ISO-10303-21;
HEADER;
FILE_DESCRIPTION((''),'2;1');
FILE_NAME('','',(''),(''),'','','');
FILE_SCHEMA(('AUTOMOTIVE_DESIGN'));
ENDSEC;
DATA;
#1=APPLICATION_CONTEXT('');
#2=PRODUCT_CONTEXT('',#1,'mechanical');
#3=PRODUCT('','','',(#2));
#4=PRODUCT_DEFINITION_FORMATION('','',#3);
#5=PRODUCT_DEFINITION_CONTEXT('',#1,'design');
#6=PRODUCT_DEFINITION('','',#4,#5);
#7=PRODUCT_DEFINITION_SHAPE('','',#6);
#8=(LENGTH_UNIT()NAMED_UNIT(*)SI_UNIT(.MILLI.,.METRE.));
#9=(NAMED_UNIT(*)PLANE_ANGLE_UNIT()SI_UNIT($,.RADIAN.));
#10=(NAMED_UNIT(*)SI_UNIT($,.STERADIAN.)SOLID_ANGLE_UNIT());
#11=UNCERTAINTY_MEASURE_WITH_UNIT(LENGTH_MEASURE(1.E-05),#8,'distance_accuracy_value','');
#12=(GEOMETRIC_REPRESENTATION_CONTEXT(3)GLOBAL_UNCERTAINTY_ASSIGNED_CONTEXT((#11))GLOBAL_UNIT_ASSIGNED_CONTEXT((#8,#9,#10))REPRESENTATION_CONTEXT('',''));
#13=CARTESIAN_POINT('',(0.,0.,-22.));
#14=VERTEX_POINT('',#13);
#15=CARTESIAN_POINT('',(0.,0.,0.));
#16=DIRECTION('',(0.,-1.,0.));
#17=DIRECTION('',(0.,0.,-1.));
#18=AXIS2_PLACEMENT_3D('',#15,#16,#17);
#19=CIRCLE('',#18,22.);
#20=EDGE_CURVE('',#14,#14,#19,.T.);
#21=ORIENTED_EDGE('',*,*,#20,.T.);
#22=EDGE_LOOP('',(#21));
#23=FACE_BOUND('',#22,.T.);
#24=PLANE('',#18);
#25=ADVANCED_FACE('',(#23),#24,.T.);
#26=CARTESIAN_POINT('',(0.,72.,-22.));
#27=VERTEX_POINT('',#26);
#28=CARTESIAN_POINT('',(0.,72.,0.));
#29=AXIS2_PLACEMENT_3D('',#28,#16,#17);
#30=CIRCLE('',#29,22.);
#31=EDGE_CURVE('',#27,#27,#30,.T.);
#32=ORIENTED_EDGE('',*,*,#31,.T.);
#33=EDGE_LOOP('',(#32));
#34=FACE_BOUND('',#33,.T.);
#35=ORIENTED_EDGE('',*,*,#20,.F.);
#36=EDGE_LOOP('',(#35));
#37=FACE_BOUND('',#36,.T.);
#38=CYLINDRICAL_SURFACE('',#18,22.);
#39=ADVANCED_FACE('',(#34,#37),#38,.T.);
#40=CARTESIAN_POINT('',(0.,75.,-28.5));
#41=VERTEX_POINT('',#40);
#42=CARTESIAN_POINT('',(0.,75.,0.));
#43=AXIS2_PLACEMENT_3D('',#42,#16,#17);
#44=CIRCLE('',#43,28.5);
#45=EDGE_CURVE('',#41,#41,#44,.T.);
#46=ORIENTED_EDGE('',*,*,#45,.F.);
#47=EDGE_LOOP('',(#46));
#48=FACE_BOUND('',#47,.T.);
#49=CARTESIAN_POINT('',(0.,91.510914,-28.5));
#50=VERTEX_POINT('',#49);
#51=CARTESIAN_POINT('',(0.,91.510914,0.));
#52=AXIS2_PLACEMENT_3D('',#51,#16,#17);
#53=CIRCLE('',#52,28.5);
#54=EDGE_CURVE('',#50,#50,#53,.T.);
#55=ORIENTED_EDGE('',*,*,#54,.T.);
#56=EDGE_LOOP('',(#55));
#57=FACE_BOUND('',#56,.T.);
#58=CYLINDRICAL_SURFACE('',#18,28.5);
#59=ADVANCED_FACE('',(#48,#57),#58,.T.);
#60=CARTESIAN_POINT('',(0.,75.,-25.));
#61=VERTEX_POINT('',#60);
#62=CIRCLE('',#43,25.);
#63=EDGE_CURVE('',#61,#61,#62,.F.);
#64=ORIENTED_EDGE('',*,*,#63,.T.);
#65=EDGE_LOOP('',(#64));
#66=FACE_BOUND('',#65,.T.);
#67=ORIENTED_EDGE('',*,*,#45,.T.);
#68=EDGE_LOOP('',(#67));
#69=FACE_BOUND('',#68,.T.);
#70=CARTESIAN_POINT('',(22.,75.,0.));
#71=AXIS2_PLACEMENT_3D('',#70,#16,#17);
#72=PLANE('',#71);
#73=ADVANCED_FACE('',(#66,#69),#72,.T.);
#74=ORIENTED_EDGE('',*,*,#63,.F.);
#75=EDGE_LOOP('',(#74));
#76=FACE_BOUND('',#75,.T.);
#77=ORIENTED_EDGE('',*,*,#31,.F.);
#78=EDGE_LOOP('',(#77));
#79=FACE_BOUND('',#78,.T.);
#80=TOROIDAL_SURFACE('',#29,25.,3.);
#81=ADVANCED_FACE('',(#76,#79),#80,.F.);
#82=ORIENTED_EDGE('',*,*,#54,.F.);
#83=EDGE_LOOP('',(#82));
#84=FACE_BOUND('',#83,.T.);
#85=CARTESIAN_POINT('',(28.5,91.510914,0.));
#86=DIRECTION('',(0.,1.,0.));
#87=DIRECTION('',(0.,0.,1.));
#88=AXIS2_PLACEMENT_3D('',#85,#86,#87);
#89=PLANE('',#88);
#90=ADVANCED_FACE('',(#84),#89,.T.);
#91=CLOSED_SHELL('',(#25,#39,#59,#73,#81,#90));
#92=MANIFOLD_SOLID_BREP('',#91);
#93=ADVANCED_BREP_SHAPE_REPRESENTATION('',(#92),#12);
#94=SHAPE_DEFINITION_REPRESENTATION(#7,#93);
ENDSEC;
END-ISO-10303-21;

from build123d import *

# Parameters (mm, degrees)
FILLET1_R = 3


with BuildPart() as part:
    # Sketch1 → Revolve3 (revolve)
    with BuildSketch(Plane.XY, mode=Mode.PRIVATE) as revolve3_sk:
        Polygon((0, 0), (22, 0), (22, 75), (28.5, 75), (28.5, 91.510913706), (0, 91.510913706), align=None)
    revolve(revolve3_sk.sketch.rotate(Axis((0, 0, 0), (0, 1, 0)), 90), axis=Axis((0, 0, 0), (0, 1, 0)))  # turned: the seam where the file's is

    # Fillet1
    fillet1_edges = [part.edges().sort_by_distance(p)[0] for p in [
        (0, 75, 22),
    ]]
    fillet(fillet1_edges, radius=FILLET1_R)


solid = part.part
